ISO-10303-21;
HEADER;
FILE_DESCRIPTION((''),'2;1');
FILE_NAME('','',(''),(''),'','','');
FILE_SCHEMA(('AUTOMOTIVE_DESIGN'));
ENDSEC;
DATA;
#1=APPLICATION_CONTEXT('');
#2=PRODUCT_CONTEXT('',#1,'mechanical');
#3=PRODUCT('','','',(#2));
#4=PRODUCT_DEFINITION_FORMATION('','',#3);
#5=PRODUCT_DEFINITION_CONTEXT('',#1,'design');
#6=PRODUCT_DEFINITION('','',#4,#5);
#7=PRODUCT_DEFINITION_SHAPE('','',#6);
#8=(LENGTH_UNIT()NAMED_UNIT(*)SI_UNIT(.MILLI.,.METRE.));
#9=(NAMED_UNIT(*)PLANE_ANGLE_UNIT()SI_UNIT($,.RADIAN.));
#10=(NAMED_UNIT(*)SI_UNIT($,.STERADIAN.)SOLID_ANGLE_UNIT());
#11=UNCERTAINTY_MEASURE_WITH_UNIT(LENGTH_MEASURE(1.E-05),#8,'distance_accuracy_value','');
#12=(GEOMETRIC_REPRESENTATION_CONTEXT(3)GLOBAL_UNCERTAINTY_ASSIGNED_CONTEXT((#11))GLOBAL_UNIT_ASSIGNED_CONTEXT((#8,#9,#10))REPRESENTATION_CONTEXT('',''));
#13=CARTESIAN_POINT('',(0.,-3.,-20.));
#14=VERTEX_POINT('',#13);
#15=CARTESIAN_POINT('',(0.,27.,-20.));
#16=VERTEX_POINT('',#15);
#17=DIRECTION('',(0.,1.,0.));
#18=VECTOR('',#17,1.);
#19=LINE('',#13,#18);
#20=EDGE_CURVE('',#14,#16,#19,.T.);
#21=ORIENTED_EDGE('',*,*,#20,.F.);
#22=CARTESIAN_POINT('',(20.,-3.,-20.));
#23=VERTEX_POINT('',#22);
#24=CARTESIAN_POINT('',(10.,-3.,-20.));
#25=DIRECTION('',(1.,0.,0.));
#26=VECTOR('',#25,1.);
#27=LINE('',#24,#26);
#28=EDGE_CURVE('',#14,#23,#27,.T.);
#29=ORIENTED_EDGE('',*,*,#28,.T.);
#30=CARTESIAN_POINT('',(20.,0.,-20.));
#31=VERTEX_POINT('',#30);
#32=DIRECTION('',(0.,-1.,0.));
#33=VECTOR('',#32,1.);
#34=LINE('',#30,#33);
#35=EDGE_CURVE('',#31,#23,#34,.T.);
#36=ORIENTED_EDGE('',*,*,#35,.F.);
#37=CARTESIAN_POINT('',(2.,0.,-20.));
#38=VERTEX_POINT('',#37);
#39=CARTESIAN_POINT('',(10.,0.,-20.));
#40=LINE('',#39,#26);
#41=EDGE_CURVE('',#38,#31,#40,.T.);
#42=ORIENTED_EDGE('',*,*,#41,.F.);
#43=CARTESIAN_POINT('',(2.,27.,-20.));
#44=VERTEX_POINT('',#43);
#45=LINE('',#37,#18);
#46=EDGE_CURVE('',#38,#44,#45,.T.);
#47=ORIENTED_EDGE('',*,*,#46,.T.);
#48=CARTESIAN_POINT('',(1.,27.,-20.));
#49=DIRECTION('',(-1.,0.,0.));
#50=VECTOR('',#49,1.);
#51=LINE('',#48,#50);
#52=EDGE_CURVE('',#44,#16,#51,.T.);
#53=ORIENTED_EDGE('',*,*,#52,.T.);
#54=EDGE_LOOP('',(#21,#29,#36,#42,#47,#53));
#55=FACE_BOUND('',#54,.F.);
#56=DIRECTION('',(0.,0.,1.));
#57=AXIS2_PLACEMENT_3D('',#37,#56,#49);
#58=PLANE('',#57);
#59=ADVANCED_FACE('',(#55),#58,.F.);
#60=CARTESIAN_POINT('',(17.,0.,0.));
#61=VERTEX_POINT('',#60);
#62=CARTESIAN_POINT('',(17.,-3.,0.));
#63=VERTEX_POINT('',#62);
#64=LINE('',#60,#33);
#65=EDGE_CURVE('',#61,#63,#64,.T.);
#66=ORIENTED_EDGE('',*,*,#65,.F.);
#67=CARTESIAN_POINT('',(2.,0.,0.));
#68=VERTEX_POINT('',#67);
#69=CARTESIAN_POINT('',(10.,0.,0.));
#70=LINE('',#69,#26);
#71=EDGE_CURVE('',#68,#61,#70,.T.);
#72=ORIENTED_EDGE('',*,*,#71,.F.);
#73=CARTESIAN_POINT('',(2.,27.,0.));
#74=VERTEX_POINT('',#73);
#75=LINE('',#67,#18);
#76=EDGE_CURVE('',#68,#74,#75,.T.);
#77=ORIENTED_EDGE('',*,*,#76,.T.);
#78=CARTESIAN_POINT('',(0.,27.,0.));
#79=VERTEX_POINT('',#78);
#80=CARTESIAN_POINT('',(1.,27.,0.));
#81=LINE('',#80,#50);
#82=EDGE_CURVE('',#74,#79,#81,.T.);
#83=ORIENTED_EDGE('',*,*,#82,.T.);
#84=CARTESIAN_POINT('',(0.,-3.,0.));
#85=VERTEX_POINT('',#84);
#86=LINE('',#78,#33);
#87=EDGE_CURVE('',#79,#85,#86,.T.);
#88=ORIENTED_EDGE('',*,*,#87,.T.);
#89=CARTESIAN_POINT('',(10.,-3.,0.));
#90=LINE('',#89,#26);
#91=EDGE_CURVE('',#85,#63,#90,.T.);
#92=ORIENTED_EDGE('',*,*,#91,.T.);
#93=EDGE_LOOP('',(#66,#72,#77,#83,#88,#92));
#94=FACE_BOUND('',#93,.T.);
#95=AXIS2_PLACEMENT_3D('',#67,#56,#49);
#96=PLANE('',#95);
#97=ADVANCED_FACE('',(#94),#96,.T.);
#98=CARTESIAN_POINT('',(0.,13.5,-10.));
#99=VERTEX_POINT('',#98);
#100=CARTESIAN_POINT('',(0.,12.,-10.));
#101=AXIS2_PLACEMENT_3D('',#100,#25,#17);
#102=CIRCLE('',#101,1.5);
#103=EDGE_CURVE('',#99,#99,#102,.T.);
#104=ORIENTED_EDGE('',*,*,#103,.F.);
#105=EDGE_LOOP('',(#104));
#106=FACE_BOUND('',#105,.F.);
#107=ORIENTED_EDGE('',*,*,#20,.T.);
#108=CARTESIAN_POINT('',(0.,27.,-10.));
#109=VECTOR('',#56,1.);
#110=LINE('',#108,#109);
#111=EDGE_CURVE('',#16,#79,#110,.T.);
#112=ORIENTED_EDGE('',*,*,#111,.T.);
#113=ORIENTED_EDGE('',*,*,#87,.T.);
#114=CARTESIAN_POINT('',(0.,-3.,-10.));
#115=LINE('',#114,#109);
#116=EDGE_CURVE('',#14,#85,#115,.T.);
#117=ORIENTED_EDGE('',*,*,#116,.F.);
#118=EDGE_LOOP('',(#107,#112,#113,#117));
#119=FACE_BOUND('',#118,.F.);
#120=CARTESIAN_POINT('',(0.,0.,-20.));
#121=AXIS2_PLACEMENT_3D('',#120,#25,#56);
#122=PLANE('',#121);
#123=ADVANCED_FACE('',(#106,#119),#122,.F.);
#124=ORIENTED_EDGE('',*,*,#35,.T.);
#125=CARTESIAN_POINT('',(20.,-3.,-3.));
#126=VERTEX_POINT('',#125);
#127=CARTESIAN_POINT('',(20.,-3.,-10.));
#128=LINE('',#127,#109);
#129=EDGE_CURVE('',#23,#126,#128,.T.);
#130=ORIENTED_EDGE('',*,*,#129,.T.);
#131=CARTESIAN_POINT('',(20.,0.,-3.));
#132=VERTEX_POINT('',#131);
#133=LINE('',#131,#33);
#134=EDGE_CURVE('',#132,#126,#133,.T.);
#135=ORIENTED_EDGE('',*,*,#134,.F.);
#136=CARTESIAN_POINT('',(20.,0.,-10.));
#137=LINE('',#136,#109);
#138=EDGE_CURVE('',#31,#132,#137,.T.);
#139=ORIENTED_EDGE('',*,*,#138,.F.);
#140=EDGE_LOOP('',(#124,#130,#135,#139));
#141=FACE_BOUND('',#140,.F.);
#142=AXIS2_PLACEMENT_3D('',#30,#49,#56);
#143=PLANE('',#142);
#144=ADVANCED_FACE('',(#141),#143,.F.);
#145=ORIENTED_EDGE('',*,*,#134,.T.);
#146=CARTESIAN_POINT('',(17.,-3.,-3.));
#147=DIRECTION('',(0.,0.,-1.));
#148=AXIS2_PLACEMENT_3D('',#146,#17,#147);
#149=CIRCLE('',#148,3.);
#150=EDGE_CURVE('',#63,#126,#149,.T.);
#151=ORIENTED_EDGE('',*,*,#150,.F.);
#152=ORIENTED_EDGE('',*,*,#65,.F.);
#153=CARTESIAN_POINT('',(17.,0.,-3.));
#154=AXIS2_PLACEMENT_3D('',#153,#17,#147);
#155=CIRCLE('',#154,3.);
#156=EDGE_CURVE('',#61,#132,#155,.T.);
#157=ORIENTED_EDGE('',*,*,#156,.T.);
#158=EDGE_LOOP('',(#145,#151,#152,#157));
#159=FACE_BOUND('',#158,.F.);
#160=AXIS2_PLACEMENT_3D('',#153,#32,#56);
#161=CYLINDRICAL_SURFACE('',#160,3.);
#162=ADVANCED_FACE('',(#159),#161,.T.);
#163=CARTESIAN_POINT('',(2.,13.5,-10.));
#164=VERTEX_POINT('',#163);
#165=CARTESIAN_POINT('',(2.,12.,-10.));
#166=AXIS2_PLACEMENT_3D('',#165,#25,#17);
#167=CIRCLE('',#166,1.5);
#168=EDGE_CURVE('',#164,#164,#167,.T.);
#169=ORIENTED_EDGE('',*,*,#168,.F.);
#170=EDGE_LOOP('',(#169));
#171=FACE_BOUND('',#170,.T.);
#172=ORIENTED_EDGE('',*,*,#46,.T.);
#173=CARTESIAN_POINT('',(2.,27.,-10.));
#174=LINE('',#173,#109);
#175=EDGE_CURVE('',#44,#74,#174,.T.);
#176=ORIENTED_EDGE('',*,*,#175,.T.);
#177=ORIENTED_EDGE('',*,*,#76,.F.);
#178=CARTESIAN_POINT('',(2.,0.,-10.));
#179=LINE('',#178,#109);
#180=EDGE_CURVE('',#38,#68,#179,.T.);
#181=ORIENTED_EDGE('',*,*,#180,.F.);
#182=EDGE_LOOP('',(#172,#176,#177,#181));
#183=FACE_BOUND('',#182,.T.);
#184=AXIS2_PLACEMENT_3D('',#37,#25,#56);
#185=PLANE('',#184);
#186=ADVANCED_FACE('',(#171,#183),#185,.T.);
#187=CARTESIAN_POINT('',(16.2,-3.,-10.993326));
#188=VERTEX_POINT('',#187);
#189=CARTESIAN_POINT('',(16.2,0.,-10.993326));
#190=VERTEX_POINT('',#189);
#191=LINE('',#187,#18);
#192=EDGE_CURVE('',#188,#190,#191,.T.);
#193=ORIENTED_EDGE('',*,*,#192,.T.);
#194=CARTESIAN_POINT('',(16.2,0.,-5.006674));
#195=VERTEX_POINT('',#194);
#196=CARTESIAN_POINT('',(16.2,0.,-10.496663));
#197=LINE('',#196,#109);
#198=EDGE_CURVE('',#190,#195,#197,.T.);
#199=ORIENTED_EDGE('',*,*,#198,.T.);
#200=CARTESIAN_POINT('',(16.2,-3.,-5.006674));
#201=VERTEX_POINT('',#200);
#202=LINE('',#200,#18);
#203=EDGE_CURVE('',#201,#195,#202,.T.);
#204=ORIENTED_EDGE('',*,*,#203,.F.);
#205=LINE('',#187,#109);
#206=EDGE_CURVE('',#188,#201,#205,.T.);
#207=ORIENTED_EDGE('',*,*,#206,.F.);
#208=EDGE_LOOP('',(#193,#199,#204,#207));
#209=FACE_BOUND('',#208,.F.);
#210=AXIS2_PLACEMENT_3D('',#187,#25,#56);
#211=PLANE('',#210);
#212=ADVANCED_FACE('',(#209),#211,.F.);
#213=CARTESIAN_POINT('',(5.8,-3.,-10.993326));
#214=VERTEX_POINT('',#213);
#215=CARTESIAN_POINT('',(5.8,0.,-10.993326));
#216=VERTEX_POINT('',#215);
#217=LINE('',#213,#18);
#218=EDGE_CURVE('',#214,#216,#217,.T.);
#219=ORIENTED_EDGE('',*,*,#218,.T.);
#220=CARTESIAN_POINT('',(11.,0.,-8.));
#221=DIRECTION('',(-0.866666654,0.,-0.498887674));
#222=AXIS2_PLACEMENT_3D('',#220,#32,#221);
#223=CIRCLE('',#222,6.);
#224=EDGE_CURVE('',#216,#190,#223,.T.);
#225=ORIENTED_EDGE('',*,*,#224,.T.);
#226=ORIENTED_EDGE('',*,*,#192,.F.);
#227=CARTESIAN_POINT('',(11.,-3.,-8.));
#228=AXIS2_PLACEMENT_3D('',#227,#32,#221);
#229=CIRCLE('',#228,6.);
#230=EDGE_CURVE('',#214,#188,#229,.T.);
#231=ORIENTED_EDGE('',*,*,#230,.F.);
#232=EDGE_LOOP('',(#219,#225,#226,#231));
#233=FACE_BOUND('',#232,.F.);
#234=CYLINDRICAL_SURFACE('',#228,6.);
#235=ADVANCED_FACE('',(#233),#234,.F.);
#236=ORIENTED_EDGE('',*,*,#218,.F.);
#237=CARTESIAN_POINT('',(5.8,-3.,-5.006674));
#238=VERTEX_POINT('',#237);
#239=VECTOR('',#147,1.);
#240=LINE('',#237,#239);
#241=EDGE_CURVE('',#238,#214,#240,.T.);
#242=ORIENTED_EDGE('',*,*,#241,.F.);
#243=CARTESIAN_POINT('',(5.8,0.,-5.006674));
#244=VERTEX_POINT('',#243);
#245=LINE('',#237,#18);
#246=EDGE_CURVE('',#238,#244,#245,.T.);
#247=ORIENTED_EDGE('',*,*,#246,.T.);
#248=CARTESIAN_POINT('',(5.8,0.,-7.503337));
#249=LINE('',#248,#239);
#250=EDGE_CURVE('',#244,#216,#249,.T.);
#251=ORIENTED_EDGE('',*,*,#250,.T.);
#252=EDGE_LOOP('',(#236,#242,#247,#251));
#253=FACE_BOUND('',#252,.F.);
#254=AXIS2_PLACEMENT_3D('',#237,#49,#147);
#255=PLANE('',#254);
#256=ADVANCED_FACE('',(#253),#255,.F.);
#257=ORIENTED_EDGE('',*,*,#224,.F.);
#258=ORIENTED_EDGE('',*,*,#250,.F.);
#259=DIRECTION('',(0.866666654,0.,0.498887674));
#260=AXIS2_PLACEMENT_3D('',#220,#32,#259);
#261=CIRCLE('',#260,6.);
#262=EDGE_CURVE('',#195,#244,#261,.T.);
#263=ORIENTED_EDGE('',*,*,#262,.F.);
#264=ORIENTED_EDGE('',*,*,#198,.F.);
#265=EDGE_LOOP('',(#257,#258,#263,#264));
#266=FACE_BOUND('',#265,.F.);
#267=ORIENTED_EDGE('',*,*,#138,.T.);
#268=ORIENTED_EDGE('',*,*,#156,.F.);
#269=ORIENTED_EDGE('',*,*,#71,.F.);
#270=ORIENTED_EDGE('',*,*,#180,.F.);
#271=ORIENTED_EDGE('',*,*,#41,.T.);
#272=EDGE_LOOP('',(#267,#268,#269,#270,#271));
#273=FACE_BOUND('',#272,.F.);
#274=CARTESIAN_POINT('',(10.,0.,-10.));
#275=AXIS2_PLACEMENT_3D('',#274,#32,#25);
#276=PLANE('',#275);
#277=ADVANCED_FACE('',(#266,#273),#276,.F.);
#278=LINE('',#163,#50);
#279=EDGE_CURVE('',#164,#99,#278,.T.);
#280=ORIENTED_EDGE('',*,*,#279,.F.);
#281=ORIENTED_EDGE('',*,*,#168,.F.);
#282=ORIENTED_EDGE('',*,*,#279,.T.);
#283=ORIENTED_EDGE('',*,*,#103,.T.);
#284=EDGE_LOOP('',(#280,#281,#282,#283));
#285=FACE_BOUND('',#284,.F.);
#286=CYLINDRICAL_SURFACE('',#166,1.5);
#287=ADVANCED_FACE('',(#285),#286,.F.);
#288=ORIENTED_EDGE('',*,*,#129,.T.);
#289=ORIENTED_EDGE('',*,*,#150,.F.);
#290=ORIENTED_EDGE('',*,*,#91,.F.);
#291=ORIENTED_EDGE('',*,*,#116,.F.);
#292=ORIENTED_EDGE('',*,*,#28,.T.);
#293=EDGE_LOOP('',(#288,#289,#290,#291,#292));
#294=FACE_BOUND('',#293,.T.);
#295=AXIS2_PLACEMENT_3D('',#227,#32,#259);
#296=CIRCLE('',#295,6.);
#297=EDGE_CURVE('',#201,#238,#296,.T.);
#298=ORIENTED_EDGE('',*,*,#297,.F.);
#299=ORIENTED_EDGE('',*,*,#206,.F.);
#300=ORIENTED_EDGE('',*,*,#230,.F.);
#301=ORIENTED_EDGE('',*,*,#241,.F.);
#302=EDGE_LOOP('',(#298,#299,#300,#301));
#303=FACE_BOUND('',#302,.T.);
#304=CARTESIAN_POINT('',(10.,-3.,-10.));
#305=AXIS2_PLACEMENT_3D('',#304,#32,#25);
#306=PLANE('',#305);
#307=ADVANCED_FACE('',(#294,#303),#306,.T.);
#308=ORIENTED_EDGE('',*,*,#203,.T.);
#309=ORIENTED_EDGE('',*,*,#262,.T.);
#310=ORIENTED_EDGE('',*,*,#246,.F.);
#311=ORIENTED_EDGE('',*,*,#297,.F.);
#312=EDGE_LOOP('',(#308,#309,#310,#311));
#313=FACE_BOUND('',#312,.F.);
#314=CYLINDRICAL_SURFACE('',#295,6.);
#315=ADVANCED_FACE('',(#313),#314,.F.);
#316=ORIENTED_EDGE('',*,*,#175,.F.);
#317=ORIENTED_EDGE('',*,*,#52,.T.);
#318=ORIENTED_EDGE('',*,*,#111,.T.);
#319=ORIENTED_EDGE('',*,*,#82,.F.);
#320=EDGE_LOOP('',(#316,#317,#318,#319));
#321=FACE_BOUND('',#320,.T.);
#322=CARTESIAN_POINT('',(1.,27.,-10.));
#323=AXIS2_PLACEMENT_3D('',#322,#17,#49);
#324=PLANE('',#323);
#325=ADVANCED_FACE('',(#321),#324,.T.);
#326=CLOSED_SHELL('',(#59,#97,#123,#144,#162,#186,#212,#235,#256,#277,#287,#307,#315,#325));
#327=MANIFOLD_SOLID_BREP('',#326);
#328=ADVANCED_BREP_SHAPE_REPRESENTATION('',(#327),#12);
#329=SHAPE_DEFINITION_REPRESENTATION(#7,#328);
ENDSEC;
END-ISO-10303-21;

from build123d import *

# Parameters (mm, degrees)
F0_W     = 20
F0_H     = 20
F1_DEPTH = 3
F2_W     = 2
F2_H     = 20
F3_DEPTH = 27
F5_DEPTH = 25
F6_R     = 1.5
F7_DEPTH = 25
F8_R     = 3


with BuildPart() as f1:
    # F0 (on Front) → F1 (new body)
    with BuildSketch(Plane.XZ):
        with Locations((10, -10)):
            Rectangle(F0_W, F0_H)
    extrude(amount=F1_DEPTH)

    # F2 (on face) → F3 (join)
    with BuildSketch(Plane(origin=(0, 0, 0), x_dir=(-1, 0, 0), z_dir=(0, 1, 0))):
        with Locations((-1, -10)):
            Rectangle(F2_W, F2_H)
    extrude(amount=F3_DEPTH)

    # F4 (on face) → F5 (cut)
    with BuildSketch(Plane.XZ.offset(3)):
        with BuildLine():
            Line((5.8, -5.006674), (5.8, -10.993326))
            ThreePointArc((5.8, -10.993326), (11, -14), (16.2, -10.993326))
            Line((16.2, -10.993326), (16.2, -5.006674))
            ThreePointArc((16.2, -5.006674), (11, -2), (5.8, -5.006674))
        make_face()
    extrude(amount=-F5_DEPTH, mode=Mode.SUBTRACT)

    # F6 (on face) → F7 (cut)
    with BuildSketch(Plane.YZ.offset(2)):
        with Locations((12, -10)):
            Circle(F6_R)
    extrude(amount=-F7_DEPTH, mode=Mode.SUBTRACT)

    # F8
    f8_edges = [f1.edges().sort_by_distance(p)[0] for p in [
        (20, -1.5, 0),
    ]]
    fillet(f8_edges, radius=F8_R)


solid = f1.part
